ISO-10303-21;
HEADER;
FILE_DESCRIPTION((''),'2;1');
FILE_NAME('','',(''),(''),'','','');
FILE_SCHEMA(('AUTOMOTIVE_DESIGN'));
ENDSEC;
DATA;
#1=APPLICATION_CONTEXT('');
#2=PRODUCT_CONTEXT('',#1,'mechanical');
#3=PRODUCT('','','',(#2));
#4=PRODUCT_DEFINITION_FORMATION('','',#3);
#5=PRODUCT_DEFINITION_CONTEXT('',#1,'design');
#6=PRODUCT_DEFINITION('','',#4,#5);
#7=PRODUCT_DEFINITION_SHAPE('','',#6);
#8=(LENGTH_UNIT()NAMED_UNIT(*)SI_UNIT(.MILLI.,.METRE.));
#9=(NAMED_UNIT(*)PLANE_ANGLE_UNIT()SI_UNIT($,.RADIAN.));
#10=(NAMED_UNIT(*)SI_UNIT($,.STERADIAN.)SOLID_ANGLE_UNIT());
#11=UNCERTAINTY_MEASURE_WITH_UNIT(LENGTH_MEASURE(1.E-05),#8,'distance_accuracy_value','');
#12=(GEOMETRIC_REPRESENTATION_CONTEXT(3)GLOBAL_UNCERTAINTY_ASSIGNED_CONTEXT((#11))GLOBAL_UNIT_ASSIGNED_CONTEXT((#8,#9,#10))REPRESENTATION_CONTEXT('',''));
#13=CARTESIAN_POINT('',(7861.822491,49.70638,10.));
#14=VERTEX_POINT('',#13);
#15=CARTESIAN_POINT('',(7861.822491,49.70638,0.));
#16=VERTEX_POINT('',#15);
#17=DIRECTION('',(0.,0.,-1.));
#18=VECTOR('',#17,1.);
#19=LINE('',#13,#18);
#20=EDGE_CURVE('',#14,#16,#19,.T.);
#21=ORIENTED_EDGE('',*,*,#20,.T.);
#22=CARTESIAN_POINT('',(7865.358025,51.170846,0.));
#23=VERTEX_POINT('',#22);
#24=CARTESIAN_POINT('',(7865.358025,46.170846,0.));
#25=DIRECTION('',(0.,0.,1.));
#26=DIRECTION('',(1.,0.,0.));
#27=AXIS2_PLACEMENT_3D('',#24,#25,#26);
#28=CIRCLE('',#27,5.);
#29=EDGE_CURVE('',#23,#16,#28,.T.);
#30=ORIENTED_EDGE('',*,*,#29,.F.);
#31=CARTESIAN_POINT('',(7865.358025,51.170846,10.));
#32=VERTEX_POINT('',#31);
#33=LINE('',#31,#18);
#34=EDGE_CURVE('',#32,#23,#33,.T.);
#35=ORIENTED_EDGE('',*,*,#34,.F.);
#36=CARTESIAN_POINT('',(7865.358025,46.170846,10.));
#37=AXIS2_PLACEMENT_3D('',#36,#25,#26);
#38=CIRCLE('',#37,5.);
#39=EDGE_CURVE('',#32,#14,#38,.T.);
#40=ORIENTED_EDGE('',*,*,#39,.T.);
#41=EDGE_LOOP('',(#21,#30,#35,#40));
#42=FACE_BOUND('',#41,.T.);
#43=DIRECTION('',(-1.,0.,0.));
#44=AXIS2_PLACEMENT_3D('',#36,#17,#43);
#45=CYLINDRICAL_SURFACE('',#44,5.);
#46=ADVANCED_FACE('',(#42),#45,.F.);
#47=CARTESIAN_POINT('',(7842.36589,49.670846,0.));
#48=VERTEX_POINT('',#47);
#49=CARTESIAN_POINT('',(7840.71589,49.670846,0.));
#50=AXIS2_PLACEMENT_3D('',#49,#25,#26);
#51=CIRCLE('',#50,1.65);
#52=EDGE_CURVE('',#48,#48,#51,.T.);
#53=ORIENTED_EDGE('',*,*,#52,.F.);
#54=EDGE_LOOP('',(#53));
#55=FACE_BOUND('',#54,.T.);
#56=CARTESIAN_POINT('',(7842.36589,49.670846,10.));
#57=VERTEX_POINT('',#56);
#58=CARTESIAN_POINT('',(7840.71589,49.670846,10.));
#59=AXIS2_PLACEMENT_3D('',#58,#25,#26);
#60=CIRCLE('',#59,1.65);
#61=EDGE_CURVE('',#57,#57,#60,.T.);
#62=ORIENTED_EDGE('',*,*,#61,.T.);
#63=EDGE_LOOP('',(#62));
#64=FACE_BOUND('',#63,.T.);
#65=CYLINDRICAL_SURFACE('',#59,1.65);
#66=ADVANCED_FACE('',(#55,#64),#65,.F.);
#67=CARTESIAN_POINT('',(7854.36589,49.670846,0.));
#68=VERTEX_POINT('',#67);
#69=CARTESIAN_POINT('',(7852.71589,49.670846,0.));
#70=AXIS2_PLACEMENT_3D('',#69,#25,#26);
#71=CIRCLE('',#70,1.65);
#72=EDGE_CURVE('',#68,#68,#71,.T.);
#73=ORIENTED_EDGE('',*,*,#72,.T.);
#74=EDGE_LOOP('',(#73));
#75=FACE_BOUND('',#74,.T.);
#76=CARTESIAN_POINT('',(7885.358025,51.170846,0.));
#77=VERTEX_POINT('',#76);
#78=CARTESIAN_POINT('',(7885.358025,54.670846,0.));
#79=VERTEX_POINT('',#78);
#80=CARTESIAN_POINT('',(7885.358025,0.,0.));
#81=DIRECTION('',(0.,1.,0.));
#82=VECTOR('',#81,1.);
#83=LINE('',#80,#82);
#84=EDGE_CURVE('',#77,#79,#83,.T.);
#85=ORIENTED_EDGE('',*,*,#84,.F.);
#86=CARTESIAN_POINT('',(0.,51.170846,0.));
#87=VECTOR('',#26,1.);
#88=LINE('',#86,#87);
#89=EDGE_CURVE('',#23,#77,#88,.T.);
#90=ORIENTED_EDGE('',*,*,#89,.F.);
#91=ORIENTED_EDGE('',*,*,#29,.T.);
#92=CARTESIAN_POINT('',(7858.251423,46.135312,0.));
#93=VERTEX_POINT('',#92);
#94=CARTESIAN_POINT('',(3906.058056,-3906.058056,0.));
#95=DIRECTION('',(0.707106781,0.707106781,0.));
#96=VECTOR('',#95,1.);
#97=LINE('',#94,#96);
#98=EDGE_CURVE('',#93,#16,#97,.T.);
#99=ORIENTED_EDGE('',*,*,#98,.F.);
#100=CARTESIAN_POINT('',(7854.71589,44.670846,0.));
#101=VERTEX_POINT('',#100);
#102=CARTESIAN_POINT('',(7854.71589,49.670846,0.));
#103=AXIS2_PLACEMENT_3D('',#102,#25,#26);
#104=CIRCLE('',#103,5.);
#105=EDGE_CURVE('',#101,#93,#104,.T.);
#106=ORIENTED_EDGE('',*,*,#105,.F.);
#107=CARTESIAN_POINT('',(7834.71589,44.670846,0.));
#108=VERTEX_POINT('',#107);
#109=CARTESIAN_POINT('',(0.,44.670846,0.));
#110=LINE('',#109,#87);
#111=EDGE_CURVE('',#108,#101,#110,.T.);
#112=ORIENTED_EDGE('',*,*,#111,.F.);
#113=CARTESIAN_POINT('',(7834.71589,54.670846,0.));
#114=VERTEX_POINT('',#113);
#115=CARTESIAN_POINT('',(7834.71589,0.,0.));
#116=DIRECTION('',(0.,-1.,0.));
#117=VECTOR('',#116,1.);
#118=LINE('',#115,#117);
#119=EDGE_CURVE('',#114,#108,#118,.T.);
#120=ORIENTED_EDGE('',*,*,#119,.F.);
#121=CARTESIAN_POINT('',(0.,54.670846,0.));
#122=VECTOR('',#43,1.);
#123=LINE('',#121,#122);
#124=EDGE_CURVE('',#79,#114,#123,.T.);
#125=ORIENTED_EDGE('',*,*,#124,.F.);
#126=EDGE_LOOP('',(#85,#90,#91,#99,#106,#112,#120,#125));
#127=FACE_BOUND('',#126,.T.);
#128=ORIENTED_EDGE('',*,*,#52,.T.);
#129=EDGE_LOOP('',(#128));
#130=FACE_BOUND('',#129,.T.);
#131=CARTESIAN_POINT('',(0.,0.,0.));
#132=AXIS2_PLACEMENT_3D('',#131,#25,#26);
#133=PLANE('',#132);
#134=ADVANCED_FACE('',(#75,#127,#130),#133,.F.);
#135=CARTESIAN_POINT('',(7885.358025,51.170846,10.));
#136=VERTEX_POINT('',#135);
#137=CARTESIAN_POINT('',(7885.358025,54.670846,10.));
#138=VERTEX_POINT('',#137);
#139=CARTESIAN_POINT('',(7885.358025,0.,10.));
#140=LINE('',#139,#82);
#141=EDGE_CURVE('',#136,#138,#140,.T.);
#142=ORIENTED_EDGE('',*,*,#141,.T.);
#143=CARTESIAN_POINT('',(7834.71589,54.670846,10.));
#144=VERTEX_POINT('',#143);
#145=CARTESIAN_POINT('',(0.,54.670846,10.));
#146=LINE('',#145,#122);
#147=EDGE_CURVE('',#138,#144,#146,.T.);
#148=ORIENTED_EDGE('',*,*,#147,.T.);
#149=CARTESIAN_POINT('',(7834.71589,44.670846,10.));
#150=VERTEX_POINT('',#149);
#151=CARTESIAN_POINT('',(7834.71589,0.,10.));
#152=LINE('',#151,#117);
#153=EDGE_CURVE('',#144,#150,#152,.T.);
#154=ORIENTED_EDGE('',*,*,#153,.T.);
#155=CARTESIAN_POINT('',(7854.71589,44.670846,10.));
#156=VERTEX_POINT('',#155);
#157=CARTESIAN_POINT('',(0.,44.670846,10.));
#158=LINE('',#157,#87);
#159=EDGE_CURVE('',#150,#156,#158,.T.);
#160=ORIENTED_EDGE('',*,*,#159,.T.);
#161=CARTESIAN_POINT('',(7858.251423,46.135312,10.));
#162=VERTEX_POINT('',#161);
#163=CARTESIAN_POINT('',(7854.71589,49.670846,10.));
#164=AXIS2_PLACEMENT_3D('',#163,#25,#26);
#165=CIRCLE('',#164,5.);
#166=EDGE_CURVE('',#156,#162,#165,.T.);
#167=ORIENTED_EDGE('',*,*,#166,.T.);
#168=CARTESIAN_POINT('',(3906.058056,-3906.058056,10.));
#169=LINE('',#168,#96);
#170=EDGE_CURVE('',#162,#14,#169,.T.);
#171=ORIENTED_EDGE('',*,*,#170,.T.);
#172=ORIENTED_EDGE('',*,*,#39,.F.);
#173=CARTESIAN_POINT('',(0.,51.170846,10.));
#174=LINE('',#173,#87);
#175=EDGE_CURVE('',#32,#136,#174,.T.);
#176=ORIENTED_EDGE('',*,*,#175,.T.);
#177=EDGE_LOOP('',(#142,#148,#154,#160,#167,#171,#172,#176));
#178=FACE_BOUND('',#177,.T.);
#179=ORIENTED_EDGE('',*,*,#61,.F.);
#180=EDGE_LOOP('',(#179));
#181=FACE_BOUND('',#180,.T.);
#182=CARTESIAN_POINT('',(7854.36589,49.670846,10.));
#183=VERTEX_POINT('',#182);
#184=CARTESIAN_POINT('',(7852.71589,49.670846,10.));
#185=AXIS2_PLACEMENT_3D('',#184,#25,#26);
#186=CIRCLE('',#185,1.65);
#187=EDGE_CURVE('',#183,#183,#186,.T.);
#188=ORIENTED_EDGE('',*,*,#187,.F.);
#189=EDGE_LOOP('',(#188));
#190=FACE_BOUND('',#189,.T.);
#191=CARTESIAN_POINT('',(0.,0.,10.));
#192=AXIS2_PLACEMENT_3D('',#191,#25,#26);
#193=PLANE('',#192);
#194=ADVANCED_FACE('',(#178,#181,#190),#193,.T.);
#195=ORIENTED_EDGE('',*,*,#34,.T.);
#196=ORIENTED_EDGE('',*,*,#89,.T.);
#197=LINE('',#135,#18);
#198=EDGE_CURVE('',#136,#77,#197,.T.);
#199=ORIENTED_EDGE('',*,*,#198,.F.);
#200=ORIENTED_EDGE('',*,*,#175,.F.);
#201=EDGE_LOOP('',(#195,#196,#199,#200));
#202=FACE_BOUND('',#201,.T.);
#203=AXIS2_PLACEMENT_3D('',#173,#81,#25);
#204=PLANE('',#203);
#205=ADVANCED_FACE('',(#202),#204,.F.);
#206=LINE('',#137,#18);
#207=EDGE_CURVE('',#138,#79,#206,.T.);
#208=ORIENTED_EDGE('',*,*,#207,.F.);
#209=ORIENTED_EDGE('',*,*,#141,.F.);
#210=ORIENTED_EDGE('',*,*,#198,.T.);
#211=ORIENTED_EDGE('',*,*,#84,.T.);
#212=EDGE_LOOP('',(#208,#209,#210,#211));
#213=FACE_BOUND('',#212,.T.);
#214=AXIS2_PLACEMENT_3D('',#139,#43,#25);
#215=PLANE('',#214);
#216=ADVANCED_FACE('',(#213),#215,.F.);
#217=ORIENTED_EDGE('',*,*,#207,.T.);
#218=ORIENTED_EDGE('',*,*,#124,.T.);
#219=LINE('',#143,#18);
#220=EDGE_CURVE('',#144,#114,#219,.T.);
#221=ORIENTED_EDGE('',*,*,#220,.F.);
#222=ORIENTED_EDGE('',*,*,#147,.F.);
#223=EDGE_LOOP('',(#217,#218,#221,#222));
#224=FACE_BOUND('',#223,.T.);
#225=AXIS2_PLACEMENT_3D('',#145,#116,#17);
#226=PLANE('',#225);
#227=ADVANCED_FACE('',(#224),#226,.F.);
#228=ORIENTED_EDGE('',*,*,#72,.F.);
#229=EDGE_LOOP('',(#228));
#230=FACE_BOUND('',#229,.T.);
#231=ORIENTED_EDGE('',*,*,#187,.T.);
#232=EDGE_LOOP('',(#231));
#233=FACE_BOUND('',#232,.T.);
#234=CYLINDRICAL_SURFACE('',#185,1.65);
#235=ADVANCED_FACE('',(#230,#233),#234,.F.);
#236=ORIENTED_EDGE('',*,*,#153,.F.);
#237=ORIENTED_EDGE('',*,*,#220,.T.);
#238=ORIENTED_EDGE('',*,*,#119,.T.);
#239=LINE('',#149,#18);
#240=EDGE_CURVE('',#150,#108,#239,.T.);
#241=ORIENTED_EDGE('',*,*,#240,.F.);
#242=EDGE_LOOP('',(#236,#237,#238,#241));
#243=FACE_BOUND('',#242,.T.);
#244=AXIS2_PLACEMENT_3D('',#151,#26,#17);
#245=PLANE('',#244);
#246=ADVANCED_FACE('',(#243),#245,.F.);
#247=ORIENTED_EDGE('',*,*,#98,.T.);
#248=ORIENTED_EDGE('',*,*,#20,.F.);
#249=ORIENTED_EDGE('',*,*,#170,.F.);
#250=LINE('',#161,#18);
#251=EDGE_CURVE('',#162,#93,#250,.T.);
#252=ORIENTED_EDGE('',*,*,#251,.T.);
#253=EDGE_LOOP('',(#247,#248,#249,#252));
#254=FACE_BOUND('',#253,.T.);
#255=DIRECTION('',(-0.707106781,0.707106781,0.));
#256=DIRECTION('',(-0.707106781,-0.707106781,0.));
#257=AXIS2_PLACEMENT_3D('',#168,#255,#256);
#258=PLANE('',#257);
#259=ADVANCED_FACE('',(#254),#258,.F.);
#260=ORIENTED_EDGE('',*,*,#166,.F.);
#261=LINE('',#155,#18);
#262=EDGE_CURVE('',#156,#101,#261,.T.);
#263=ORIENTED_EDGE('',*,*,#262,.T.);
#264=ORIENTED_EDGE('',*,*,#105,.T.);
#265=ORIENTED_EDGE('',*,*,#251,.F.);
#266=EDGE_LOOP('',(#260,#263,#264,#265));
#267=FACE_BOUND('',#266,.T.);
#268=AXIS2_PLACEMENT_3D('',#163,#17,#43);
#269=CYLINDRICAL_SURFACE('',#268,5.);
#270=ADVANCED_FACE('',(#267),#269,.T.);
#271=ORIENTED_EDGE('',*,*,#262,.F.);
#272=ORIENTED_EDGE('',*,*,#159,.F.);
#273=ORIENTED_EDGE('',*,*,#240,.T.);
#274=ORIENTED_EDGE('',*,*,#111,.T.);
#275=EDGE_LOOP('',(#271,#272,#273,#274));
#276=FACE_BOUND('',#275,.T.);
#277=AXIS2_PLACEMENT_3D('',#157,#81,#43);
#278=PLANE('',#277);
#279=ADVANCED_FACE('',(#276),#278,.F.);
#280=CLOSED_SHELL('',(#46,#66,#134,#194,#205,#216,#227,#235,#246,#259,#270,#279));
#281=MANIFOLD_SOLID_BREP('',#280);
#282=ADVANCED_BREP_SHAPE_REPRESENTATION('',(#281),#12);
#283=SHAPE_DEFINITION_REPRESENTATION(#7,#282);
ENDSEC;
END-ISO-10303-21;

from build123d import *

# Parameters (mm, degrees)
EXTRUDE_1_DEPTH    = 10
HOLE_WIZARD_M4_1_D = 3.3


with BuildPart() as part:
    # 草图5 → 凸台-拉伸1 (new body)
    with BuildSketch(Plane.XY):
        with BuildLine():
            Line((7834.715889536, 44.670845652), (7854.715889536, 44.670845652))
            ThreePointArc((7854.715889536, 44.670845652), (7856.629306698, 45.05144799), (7858.251423442, 46.135311746))
            Line((7858.251423442, 46.135311746), (7861.822491254, 49.706379558))
            ThreePointArc((7861.822491254, 49.706379558), (7863.444607998, 50.790243315), (7865.358025159, 51.170845652))
            Line((7865.358025159, 51.170845652), (7885.358025159, 51.170845652))
            Line((7885.358025159, 51.170845652), (7885.358025159, 54.670845652))
            Line((7885.358025159, 54.670845652), (7834.715889536, 54.670845652))
            Line((7834.715889536, 54.670845652), (7834.715889536, 44.670845652))
        make_face()
    extrude(amount=EXTRUDE_1_DEPTH)

    # M4 螺纹孔1 (through all)
    with Locations(Plane.XY.offset(10)):
        with Locations((7840.715889536, 49.670845652), (7852.715889536, 49.670845652)):
            Hole(HOLE_WIZARD_M4_1_D / 2)


solid = part.part
